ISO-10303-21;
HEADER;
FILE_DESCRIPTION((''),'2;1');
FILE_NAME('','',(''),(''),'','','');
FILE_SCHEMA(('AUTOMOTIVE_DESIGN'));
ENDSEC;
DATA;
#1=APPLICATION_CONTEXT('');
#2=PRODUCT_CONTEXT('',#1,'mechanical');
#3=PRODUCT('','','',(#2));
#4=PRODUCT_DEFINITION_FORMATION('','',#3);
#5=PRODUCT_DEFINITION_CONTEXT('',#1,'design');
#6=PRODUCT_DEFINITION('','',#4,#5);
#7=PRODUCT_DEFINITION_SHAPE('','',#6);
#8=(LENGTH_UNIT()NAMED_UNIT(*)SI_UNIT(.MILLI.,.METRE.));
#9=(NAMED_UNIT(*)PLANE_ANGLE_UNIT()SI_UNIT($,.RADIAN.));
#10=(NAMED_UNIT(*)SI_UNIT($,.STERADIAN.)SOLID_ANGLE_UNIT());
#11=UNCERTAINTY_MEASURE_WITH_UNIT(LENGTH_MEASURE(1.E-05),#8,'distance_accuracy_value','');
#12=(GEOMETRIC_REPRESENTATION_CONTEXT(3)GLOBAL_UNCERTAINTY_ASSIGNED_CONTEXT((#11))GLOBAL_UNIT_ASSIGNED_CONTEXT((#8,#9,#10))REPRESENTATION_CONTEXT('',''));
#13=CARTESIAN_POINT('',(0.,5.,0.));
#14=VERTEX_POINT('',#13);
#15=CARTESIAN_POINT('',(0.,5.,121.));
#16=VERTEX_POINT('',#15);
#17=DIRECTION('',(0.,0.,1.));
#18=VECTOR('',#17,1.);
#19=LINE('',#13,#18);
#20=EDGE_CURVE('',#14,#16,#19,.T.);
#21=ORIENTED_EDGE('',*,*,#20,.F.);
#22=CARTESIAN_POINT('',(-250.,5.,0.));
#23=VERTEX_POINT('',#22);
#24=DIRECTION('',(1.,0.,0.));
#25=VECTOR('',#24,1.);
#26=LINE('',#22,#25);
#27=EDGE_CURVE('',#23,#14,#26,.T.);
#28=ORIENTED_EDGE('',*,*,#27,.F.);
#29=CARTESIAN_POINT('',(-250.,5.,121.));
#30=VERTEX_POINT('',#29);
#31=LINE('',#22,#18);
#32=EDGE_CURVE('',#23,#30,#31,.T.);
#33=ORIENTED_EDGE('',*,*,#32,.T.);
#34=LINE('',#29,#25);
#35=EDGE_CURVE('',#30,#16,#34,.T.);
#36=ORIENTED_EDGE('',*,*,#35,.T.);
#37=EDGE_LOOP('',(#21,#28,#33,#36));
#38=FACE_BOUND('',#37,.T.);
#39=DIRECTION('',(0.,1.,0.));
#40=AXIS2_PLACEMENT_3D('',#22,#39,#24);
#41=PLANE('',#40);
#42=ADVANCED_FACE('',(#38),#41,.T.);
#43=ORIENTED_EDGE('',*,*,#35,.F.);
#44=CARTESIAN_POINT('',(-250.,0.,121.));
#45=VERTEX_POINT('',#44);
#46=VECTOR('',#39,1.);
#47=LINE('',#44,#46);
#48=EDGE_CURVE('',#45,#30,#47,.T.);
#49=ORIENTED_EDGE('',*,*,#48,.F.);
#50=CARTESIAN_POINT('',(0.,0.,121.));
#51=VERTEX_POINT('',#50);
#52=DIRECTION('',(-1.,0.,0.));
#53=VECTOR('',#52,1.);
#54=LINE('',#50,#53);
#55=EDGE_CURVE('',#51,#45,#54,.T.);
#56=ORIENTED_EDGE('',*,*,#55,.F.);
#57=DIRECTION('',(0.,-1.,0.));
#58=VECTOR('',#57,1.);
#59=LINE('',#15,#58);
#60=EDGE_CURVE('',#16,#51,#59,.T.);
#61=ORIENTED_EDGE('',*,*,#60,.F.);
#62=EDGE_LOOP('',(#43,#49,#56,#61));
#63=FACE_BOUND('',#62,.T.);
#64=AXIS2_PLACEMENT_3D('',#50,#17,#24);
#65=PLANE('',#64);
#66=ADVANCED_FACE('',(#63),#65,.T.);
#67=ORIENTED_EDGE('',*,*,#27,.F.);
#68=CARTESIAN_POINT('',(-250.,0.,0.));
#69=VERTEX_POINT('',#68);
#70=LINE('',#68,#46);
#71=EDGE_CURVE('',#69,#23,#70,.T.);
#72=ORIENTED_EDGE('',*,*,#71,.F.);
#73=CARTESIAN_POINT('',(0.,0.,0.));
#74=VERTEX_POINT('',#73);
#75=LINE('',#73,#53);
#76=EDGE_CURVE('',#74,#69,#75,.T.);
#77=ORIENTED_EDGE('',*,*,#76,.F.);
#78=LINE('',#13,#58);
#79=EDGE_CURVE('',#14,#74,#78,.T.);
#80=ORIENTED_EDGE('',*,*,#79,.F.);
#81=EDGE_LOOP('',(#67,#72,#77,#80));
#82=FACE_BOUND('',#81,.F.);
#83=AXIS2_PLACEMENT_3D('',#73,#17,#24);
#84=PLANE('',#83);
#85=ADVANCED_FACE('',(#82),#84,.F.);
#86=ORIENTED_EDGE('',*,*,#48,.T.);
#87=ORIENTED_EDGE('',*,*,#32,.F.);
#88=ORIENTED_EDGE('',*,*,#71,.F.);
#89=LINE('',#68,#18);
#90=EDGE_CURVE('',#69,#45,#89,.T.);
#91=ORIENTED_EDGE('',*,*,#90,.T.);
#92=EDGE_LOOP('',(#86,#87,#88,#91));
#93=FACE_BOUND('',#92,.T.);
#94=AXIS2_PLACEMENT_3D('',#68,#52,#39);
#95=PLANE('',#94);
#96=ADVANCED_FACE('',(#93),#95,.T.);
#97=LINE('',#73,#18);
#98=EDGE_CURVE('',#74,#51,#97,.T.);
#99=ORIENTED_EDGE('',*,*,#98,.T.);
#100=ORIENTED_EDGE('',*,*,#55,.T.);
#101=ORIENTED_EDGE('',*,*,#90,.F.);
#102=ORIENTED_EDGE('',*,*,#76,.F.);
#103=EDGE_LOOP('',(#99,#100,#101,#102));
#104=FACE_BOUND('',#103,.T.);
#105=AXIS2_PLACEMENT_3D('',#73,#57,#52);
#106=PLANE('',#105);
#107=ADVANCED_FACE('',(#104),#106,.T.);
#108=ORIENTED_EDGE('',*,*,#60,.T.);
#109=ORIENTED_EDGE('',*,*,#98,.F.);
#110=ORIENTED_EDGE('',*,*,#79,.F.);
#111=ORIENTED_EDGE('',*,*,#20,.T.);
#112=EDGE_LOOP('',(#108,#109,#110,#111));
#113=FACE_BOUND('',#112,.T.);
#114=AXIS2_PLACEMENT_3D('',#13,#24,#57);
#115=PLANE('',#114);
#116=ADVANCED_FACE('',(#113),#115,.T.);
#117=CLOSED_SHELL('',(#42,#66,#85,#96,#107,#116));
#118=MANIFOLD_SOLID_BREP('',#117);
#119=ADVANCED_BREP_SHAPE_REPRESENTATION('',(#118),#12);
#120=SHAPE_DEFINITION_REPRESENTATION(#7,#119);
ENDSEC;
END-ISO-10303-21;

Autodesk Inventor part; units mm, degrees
ref_plane "YZ Plane" through (0, 0, 0) normal (1, 0, 0) x (0, 1, 0)
ref_plane "XZ Plane" through (0, 0, 0) normal (0, 1, 0) x (-1, 0, 0)
ref_plane "XY Plane" through (0, 0, 0) normal (0, 0, 1) x (1, 0, 0)
sketch "Sketch1" plane through (0, 0, 0) normal (0, 0, 1) x (1, 0, 0)
  line L0 (0, 0) -> (-250, 0)
  line L1 (-250, 0) -> (-250, 5)
  line L2 (-250, 5) -> (0, 5)
  line L3 (0, 5) -> (0, 0)
  dimension "d0" = 5
  dimension "d1" = 250
extrude "Extrusion1" add sketch "Sketch1" along normal blind 121
properties part number "stand_bottom" material "Wood (Birch)"
